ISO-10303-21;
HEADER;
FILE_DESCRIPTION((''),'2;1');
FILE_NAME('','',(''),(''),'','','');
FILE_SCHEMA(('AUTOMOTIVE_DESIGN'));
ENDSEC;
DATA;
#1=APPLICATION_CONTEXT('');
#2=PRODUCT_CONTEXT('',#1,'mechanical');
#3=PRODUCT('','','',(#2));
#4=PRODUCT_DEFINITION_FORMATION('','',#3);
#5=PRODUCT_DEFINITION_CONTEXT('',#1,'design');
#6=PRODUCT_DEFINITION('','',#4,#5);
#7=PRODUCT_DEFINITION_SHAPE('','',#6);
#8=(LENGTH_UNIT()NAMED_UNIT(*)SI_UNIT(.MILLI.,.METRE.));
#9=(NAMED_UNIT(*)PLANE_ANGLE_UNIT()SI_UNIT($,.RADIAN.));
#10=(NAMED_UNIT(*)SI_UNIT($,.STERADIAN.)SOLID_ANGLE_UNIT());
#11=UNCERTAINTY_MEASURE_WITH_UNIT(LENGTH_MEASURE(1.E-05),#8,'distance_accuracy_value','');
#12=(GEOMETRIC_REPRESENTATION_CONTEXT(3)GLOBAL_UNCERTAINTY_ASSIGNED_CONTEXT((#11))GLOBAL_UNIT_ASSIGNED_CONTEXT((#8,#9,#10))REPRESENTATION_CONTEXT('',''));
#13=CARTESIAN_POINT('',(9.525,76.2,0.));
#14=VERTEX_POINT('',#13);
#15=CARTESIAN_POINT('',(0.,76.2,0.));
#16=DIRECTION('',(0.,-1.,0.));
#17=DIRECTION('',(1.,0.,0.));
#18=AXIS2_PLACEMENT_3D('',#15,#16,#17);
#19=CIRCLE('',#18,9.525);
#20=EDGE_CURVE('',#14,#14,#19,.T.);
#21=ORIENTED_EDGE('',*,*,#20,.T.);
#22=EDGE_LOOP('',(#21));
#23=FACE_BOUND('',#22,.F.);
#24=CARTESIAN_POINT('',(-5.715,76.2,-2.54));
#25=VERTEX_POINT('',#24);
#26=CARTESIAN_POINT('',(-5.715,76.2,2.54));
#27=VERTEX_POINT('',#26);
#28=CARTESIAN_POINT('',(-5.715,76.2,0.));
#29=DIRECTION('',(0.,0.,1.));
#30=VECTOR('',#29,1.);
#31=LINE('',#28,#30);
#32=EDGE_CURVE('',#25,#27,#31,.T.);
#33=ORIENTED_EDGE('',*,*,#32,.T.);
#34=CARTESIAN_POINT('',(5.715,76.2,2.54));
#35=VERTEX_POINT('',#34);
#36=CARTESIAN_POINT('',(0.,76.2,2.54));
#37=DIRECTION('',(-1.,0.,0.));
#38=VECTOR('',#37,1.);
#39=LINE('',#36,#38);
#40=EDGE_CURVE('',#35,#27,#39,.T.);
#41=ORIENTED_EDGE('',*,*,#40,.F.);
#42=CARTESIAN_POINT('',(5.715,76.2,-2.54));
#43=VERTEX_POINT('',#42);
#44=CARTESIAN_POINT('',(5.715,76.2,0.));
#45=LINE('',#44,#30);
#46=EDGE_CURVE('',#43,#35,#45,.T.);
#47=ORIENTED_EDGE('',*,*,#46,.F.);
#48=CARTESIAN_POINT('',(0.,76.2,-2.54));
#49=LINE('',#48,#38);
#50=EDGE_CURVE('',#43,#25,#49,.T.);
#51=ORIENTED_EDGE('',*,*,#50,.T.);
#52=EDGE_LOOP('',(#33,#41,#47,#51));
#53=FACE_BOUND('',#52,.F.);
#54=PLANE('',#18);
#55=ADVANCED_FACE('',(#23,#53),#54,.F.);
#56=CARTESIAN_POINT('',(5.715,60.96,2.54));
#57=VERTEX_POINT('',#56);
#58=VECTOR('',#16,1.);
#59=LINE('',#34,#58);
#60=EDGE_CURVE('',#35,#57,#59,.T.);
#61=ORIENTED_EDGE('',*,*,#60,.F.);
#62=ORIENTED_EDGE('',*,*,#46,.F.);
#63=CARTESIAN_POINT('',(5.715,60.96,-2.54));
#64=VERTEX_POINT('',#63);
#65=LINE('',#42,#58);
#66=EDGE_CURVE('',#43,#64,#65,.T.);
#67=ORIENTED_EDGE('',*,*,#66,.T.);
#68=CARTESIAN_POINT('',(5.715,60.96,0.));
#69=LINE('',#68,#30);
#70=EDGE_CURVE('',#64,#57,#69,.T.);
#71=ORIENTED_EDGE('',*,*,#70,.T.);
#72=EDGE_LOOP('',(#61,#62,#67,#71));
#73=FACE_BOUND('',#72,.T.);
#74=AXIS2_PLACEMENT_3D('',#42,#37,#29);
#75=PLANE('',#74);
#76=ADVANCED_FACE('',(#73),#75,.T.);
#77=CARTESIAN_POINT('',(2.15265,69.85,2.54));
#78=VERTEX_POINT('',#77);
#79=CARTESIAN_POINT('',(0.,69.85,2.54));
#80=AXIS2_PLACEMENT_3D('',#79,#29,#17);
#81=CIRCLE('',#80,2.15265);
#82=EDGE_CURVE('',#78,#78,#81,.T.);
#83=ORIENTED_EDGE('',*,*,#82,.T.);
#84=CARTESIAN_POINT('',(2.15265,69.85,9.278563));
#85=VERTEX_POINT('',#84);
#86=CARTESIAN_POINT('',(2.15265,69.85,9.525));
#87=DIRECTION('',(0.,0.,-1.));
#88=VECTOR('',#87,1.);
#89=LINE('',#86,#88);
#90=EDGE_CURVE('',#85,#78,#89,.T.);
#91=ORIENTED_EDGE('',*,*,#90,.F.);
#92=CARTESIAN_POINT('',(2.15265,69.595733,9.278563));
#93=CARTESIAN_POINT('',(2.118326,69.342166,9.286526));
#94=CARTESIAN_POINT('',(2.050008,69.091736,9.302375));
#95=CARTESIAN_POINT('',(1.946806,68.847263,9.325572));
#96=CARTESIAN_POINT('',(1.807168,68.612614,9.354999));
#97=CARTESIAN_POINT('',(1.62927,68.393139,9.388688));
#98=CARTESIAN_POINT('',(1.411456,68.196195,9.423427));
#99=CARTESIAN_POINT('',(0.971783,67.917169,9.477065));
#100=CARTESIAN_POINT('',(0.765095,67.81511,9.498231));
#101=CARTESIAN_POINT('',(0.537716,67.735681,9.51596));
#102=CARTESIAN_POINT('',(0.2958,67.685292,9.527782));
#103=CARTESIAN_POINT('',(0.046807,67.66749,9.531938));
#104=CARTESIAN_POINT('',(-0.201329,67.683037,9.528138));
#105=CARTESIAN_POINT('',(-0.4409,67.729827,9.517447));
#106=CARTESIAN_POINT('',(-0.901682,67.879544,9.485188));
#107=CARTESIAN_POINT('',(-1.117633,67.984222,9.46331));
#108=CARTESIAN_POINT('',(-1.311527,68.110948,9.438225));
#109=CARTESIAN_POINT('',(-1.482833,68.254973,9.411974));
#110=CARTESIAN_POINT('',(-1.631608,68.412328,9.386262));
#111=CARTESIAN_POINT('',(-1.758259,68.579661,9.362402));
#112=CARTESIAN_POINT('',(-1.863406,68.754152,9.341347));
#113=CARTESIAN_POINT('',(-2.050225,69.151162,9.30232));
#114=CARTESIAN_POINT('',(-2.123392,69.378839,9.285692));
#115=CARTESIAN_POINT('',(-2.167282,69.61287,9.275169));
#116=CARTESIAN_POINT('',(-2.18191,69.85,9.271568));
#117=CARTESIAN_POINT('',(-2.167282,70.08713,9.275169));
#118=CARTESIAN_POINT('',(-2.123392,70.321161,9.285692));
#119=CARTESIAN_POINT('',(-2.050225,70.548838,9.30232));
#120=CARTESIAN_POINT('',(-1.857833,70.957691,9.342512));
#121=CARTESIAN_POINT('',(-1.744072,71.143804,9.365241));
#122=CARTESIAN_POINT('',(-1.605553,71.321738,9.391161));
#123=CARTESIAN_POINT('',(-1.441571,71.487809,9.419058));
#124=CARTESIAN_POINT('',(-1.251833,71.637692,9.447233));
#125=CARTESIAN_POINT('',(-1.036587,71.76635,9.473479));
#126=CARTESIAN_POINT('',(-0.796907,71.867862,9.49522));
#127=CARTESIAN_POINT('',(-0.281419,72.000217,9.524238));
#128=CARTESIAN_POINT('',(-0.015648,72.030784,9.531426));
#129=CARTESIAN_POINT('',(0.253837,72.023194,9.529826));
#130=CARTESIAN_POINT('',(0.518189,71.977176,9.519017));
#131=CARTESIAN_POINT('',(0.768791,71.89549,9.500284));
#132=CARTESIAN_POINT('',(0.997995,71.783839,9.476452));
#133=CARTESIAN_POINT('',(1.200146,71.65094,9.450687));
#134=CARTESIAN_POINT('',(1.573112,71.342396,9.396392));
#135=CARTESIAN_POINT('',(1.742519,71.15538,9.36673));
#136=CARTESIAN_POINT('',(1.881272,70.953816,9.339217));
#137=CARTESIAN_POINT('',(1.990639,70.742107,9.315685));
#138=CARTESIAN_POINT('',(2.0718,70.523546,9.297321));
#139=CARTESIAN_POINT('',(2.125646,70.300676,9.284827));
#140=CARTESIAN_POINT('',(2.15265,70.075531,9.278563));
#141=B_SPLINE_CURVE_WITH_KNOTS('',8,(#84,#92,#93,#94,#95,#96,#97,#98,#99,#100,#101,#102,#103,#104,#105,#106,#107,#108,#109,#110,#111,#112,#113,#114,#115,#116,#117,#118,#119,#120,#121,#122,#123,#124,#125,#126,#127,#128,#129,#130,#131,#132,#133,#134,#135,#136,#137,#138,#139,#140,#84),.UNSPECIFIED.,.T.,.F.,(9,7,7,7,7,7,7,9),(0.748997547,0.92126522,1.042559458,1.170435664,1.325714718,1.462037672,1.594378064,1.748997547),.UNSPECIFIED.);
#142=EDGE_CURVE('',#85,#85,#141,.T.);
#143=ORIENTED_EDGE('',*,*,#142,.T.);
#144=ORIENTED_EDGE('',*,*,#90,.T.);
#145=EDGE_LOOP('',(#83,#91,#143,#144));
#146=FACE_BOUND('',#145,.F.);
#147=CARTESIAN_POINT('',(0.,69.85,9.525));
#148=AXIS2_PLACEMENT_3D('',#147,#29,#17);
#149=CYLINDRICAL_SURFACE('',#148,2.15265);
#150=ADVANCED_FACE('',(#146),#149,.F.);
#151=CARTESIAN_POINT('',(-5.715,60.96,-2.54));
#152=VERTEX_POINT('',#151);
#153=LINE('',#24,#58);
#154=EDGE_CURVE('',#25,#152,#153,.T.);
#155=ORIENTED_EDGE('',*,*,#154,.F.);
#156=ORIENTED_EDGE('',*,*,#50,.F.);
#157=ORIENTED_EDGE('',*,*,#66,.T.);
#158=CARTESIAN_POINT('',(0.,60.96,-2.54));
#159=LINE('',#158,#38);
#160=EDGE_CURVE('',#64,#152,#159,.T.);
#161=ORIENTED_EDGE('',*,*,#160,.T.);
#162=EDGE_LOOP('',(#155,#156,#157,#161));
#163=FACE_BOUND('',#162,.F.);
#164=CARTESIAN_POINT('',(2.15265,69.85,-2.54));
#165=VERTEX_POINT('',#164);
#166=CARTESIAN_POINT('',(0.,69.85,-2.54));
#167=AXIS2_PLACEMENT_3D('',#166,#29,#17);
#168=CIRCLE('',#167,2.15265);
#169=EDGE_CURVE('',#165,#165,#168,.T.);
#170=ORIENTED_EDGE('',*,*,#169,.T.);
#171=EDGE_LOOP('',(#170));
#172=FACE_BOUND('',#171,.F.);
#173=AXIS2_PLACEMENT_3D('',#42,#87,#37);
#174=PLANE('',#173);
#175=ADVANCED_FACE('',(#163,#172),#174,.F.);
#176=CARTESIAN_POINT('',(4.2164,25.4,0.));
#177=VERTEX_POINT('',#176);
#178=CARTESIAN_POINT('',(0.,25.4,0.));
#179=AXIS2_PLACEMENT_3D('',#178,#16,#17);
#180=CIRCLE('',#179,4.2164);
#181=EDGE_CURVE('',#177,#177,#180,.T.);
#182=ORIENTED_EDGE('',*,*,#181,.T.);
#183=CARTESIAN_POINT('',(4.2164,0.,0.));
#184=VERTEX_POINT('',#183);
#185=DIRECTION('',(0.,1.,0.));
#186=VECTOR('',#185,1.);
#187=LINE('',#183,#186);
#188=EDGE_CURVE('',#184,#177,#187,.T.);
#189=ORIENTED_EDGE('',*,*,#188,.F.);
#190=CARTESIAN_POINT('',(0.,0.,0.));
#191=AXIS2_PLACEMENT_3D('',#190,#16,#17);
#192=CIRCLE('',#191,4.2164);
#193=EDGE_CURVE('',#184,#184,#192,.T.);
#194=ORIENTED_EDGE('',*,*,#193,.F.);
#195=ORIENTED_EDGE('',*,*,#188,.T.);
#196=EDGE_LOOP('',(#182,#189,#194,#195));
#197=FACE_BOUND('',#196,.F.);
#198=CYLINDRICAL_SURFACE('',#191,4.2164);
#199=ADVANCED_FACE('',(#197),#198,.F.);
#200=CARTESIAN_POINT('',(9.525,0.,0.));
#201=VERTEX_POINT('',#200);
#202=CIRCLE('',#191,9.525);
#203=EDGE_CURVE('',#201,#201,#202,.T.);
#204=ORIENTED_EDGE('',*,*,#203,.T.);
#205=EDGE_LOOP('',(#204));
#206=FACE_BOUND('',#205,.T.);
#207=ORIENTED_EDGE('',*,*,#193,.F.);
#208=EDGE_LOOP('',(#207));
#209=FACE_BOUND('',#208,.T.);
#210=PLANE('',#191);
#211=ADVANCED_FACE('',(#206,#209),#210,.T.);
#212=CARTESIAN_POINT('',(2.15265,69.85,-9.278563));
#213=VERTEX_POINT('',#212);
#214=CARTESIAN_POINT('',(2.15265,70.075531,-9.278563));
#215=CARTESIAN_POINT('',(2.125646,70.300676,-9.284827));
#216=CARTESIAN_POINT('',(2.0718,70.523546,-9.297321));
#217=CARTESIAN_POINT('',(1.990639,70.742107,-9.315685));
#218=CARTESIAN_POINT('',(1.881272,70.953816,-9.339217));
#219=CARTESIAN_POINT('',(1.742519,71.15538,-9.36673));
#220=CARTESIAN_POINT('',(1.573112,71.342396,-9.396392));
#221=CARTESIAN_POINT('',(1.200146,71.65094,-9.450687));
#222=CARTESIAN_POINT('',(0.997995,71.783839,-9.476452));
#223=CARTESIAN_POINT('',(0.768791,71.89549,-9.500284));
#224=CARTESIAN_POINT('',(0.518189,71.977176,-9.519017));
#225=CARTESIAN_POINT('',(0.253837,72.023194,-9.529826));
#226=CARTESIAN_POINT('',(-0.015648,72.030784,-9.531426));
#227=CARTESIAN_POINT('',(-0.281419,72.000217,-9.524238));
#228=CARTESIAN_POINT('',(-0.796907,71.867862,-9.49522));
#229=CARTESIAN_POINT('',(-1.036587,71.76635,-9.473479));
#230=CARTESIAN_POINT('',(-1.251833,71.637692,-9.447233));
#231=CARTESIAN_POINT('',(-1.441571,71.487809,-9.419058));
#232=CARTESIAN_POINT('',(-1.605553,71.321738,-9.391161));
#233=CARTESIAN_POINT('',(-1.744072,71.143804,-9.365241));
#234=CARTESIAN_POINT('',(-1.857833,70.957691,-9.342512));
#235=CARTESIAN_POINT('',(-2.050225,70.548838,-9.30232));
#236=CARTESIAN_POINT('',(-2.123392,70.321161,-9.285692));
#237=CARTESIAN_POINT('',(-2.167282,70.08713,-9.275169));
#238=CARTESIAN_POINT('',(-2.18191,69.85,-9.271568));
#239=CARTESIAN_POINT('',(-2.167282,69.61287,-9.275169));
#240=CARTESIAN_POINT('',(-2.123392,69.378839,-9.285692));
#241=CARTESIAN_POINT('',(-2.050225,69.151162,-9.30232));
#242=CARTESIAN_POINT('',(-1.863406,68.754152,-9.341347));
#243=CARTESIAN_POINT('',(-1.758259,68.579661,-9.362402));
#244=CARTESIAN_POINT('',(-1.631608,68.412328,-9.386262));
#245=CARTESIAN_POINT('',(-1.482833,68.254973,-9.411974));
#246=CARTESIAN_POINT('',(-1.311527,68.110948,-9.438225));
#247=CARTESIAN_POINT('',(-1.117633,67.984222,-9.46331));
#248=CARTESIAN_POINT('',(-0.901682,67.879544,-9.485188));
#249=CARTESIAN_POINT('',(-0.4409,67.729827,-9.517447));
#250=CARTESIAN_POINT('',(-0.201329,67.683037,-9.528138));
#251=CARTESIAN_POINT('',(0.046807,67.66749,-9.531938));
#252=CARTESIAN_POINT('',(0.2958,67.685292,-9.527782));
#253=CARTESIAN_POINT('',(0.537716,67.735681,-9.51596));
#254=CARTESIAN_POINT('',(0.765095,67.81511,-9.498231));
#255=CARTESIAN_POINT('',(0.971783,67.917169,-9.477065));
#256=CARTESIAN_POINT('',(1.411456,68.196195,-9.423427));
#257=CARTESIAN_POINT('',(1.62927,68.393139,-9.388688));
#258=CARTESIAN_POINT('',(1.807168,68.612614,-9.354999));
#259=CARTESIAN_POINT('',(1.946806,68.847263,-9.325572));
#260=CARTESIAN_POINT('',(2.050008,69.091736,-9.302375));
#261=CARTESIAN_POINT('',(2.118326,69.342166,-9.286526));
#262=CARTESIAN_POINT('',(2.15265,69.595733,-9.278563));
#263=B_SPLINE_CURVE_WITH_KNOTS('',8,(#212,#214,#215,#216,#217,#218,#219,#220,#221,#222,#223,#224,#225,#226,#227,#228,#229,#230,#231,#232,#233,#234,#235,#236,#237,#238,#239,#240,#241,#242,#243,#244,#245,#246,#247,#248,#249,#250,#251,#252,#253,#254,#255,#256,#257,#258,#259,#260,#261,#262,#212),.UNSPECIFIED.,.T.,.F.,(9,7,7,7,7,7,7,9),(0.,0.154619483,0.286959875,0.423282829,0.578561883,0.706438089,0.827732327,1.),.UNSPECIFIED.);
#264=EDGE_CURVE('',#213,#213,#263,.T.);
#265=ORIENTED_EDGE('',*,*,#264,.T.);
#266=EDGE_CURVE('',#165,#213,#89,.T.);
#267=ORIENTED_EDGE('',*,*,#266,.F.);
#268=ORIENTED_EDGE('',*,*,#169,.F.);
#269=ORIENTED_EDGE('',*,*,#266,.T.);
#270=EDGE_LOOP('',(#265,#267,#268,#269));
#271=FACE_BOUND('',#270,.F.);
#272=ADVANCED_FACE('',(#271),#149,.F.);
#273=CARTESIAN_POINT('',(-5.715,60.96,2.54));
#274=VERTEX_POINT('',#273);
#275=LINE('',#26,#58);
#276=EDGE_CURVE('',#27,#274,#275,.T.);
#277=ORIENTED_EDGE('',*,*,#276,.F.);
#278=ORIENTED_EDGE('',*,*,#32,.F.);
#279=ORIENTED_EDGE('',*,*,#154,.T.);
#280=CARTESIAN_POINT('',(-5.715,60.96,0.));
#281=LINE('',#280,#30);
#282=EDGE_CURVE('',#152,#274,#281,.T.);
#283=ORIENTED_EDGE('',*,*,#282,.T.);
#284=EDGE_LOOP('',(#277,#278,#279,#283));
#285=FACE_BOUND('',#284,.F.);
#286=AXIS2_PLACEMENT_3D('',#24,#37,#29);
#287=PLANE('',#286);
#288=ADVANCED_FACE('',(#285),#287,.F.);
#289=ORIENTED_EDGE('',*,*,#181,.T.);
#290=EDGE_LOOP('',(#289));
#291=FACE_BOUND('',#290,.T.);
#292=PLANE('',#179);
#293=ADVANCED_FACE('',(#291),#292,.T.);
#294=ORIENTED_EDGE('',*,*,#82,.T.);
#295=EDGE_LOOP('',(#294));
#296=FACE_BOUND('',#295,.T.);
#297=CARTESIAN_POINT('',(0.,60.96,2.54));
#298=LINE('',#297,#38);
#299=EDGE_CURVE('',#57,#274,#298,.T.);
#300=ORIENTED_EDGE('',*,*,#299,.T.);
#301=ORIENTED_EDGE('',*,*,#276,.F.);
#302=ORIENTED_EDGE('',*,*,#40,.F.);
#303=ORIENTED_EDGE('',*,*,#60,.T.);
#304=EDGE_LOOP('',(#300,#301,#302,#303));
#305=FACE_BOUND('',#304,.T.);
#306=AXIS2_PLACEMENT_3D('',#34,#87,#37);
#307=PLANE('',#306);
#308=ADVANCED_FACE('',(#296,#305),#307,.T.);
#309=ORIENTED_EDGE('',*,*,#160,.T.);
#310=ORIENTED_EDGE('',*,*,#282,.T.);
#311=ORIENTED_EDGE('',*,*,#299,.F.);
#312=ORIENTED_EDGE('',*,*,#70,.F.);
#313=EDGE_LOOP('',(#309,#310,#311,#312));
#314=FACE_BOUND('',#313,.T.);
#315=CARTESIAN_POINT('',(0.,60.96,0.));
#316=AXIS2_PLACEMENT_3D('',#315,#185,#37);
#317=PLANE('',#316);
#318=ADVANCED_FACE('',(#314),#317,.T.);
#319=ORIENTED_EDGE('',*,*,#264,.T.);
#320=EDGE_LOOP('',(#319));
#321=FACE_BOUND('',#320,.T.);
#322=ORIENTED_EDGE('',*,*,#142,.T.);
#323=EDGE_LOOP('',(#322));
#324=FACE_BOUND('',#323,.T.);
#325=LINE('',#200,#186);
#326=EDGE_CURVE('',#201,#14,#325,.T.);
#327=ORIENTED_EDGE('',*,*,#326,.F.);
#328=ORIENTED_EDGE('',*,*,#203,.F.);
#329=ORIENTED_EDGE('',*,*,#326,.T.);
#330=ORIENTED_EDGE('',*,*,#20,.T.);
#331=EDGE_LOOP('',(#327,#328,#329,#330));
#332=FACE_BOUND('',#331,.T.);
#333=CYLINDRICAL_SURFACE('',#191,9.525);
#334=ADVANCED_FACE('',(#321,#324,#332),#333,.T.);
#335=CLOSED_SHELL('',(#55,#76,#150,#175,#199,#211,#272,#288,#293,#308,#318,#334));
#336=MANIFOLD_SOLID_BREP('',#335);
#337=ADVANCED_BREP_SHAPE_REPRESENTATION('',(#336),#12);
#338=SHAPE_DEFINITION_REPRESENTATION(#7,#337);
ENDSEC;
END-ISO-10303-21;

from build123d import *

# Parameters (mm, degrees)
F0_R     = 9.525
F1_DEPTH = 76.2
F2_W     = 11.43
F2_H     = 5.08
F3_DEPTH = 15.24
F5_R     = 2.15265
F6_DEPTH = 25.4
F7_R     = 4.2164
F8_DEPTH = 25.4


with BuildPart() as f1:
    # F0 (on Front) → F1 (new body)
    with BuildSketch(Plane.XZ):
        Circle(F0_R)
    extrude(amount=-F1_DEPTH)

    # F2 (on face) → F3 (cut)
    with BuildSketch(Plane(origin=(0, 76.2, 0), x_dir=(-1, 0, 0), z_dir=(0, 1, 0))):
        Rectangle(F2_W, F2_H)
    extrude(amount=-F3_DEPTH, mode=Mode.SUBTRACT)

    # F5 (on offset) → F6 (cut)
    with BuildSketch(Plane.XY.offset(9.525)):
        with Locations((0, 69.85)):
            Circle(F5_R)
    extrude(amount=-F6_DEPTH, mode=Mode.SUBTRACT)

    # F7 (on face) → F8 (cut)
    with BuildSketch(Plane.XZ):
        Circle(F7_R)
    extrude(amount=-F8_DEPTH, mode=Mode.SUBTRACT)


solid = f1.part
